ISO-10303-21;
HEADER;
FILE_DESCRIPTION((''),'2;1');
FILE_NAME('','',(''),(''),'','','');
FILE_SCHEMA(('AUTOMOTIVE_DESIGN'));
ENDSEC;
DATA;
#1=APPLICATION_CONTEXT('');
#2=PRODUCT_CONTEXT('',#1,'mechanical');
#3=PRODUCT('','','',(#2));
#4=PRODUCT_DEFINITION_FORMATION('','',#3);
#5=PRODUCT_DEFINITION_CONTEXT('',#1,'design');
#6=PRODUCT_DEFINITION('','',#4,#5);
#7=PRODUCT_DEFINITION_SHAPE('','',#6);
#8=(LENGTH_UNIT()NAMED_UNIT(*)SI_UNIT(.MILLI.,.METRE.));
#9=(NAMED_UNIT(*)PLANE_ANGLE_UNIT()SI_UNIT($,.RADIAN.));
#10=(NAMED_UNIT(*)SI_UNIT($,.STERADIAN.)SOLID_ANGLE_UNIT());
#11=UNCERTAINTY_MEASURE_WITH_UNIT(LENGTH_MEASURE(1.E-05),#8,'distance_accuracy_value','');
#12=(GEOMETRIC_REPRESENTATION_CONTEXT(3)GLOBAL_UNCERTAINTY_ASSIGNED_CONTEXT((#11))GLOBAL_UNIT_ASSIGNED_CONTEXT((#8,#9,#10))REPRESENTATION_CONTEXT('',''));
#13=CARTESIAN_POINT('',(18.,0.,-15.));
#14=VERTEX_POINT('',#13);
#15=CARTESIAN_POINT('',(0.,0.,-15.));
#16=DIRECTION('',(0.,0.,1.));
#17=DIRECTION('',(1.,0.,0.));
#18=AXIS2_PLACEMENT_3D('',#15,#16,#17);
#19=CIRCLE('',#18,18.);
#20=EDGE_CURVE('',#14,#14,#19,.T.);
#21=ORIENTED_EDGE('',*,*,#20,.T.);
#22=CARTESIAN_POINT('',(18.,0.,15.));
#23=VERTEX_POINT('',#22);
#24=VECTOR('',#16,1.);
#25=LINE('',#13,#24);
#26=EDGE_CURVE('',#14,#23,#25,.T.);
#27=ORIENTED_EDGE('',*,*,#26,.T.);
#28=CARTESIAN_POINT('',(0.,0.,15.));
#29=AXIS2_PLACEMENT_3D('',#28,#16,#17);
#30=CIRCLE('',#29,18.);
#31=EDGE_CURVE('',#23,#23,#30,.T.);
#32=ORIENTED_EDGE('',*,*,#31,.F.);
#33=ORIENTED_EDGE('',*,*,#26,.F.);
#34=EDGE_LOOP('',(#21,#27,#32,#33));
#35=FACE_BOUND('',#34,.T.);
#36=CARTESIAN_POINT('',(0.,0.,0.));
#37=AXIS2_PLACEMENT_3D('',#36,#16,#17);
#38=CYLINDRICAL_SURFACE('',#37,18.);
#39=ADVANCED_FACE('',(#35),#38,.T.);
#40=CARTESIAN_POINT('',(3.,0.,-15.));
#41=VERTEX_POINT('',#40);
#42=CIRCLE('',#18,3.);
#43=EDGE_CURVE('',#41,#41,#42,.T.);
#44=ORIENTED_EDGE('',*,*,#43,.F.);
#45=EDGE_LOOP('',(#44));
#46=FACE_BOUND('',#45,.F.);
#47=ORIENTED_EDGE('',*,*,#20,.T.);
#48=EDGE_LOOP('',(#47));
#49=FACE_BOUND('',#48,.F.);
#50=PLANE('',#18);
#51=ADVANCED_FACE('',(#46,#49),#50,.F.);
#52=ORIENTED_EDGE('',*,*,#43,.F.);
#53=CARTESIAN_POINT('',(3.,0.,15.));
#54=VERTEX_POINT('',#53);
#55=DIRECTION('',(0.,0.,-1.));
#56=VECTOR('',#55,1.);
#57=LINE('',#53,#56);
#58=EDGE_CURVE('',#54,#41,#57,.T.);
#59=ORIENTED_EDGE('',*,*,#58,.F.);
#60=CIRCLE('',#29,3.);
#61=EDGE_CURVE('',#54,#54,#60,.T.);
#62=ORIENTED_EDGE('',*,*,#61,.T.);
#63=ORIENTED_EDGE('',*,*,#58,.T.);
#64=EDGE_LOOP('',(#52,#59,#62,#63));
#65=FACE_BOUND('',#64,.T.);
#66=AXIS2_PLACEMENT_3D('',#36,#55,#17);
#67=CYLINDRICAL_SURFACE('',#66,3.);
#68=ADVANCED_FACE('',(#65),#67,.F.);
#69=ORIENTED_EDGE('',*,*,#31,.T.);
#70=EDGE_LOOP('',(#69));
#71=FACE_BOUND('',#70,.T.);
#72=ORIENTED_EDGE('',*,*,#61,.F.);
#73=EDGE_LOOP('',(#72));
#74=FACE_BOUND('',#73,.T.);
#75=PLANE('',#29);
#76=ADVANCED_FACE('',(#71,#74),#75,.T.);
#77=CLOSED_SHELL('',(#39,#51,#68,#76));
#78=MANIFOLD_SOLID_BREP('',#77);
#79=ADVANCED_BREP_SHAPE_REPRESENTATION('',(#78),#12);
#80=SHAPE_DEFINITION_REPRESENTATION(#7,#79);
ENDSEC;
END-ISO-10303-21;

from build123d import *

# Parameters (mm, degrees)
SKETCH1_R           = 18
SKETCH1_R_2         = 3
BOSS_EXTRUDE1_DEPTH = 15


with BuildPart() as part:
    # Sketch1 → Boss-Extrude1 (new body, symmetric)
    with BuildSketch(Plane.XY):
        Circle(SKETCH1_R)
        Circle(SKETCH1_R_2, mode=Mode.SUBTRACT)
    extrude(amount=BOSS_EXTRUDE1_DEPTH, both=True)


solid = part.part
